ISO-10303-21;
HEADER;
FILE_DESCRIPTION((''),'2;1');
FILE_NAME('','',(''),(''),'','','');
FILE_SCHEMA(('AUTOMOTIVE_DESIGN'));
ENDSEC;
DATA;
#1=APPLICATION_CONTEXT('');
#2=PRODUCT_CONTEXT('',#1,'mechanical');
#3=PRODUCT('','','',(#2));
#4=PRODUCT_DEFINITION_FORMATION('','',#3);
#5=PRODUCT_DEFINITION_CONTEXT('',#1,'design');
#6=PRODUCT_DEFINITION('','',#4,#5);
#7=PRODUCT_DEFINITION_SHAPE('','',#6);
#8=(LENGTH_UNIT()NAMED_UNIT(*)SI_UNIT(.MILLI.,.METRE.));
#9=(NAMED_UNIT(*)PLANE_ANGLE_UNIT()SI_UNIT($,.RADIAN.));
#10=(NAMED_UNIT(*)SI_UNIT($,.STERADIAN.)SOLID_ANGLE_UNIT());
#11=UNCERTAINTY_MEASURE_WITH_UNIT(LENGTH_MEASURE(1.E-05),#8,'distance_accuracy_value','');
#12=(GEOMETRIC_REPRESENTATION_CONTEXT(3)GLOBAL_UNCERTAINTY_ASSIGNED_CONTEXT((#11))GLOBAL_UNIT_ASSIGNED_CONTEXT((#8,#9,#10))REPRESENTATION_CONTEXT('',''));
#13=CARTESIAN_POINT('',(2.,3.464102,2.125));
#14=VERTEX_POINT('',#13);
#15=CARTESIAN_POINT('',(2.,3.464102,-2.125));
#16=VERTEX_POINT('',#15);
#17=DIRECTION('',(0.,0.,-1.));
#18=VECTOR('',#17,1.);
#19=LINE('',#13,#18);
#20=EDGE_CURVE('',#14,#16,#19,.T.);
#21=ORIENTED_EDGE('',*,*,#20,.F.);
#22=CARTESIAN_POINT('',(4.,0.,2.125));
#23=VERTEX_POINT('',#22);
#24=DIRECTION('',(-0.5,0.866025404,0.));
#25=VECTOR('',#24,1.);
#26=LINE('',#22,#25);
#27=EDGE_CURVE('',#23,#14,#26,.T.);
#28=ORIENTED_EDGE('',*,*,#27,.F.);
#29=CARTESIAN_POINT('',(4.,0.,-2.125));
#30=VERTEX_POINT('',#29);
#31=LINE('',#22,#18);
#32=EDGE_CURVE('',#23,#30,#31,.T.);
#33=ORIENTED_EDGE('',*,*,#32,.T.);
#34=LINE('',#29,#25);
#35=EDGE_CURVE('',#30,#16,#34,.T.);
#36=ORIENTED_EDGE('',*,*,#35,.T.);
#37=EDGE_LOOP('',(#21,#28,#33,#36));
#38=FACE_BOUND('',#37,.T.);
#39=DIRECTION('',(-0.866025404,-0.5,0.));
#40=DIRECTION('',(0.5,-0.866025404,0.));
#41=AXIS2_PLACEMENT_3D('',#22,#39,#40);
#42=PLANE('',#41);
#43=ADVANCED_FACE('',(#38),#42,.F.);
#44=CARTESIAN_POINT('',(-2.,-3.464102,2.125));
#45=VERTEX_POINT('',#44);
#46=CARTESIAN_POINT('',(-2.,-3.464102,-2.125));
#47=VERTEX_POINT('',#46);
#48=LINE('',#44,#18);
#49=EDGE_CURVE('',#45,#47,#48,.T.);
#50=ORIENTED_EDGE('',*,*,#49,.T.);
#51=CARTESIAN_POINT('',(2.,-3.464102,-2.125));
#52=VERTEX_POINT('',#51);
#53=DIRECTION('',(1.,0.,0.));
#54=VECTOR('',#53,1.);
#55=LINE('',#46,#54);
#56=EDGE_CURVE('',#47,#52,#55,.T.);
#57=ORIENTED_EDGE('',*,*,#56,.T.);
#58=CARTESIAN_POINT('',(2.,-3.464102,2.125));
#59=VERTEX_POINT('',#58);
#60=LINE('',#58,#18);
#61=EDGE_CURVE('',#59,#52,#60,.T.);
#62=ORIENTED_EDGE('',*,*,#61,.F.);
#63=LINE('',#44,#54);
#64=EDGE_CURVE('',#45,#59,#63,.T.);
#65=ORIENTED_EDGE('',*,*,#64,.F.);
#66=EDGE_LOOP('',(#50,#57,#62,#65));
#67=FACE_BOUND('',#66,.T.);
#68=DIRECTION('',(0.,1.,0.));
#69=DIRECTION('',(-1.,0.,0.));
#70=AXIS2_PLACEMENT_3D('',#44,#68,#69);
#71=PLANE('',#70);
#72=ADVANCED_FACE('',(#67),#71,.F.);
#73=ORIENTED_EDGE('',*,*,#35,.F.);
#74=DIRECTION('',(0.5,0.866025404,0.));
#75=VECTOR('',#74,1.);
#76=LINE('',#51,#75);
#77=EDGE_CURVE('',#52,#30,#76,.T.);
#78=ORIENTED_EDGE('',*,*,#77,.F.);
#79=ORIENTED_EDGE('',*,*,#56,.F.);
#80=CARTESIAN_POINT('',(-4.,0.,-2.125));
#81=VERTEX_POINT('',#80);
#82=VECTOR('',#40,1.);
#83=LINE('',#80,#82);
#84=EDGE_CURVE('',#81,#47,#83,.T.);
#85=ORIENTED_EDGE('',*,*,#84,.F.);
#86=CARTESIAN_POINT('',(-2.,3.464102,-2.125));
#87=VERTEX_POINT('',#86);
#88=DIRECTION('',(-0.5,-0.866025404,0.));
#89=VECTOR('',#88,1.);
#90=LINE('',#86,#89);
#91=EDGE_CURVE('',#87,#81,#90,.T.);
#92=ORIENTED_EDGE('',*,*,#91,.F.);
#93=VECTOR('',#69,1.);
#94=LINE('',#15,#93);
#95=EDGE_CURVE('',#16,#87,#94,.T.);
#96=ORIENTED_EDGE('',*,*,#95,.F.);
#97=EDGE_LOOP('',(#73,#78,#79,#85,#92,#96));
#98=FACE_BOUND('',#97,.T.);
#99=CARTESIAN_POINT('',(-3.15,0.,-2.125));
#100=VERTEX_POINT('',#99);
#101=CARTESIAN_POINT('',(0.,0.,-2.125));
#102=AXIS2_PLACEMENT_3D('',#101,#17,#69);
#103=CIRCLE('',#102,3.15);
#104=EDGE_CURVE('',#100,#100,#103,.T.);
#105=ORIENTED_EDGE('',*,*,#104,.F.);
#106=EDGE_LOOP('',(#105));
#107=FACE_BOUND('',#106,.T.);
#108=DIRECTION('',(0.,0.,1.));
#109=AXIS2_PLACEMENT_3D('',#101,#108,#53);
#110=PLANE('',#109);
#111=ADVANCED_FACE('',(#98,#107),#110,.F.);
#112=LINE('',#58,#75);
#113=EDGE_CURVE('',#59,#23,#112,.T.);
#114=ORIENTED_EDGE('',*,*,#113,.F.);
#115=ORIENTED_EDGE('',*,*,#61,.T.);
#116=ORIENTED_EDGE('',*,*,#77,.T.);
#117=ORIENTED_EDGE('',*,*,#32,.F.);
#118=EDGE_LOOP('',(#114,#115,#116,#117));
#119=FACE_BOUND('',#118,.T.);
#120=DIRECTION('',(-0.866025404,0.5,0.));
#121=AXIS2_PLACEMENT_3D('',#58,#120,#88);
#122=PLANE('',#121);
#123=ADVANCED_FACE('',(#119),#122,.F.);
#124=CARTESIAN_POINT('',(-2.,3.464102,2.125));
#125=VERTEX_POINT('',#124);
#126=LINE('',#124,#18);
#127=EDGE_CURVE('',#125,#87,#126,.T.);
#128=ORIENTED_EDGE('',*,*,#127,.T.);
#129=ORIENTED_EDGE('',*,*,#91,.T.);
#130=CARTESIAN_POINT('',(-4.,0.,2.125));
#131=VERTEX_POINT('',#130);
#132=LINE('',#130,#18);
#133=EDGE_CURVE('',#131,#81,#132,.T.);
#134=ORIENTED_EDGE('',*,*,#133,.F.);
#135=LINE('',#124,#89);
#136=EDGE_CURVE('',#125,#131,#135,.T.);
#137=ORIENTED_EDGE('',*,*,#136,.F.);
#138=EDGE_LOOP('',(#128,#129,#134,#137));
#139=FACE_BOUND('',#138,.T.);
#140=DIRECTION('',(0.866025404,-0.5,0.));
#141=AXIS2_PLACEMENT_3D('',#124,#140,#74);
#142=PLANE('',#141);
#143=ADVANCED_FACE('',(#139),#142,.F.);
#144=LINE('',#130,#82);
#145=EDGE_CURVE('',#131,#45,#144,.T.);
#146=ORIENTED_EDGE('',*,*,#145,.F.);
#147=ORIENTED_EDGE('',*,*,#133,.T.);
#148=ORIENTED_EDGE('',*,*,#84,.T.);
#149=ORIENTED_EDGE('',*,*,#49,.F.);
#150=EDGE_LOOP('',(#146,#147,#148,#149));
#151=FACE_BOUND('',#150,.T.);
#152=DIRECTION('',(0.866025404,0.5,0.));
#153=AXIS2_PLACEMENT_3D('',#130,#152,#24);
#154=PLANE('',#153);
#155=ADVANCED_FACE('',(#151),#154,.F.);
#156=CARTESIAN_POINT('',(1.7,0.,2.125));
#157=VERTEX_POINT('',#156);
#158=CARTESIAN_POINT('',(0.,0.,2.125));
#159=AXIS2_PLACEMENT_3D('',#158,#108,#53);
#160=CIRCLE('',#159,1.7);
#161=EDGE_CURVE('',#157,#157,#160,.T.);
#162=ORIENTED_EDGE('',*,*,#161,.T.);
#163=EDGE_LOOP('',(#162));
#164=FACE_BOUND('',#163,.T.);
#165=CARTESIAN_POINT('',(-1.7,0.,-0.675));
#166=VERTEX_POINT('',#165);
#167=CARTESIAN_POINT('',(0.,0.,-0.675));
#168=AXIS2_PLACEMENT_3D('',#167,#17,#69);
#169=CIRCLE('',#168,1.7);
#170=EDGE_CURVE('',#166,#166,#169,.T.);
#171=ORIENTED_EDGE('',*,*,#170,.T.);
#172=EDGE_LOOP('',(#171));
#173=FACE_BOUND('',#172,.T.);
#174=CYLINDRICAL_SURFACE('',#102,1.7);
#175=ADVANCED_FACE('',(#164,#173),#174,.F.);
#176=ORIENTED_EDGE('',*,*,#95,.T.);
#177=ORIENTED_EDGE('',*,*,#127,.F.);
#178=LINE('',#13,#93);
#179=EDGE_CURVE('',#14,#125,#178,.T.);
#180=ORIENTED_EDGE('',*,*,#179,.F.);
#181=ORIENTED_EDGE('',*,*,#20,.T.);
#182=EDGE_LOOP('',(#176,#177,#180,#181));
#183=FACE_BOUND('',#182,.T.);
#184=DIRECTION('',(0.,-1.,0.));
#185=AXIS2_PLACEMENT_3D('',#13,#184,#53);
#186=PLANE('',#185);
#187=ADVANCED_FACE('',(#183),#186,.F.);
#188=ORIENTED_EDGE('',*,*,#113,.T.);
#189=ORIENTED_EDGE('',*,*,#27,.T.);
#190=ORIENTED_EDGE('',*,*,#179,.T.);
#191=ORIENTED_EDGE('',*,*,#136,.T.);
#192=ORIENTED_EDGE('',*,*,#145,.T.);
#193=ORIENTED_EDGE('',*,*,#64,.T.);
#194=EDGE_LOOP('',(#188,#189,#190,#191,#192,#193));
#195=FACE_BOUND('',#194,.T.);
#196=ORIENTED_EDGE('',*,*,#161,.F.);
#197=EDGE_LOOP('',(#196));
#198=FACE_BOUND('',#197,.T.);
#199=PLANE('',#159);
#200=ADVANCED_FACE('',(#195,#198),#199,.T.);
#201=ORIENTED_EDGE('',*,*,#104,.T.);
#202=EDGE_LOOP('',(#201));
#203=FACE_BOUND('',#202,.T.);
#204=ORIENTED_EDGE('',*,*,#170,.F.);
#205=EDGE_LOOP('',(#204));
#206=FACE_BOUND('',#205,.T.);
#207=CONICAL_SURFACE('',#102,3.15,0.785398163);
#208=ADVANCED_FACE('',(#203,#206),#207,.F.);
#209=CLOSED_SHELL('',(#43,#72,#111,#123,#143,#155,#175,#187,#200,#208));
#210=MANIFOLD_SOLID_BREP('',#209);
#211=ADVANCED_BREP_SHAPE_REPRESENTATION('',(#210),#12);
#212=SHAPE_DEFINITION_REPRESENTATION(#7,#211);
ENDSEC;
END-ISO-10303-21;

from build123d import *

# Parameters (mm, degrees)
BOSS_EXTRUDE1_DEPTH                                 = 2.125
CSK_FOR_M3_COUNTERSUNK_FLAT_HEAD_SCREW1_D           = 3.4
CSK_FOR_M3_COUNTERSUNK_FLAT_HEAD_SCREW1_DEPTH       = 5
CSK_FOR_M3_COUNTERSUNK_FLAT_HEAD_SCREW1_CSINK_D     = 6.3
CSK_FOR_M3_COUNTERSUNK_FLAT_HEAD_SCREW1_CSINK_ANGLE = 90
CSK_FOR_M3_COUNTERSUNK_FLAT_HEAD_SCREW1_TIP         = 1.021463052


with BuildPart() as part:
    # Sketch1 → Boss-Extrude1 (new, symmetric)
    with BuildSketch(Plane.XY):
        Polygon((2, -3.464101615), (4, 0), (2, 3.464101615), (-2, 3.464101615), (-4, 0), (-2, -3.464101615), align=None)
    extrude(amount=BOSS_EXTRUDE1_DEPTH, both=True)

    # CSK for M3 Countersunk Flat Head Screw1
    with Locations(Plane(origin=(0, 0, -2.125), x_dir=(-1, 0, 0), z_dir=(0, 0, -1))):
        with Locations((0, 0)):
            CounterSinkHole(CSK_FOR_M3_COUNTERSUNK_FLAT_HEAD_SCREW1_D / 2, CSK_FOR_M3_COUNTERSUNK_FLAT_HEAD_SCREW1_CSINK_D / 2, depth=CSK_FOR_M3_COUNTERSUNK_FLAT_HEAD_SCREW1_DEPTH, counter_sink_angle=CSK_FOR_M3_COUNTERSUNK_FLAT_HEAD_SCREW1_CSINK_ANGLE)
            with Locations((0, 0, -(CSK_FOR_M3_COUNTERSUNK_FLAT_HEAD_SCREW1_DEPTH + CSK_FOR_M3_COUNTERSUNK_FLAT_HEAD_SCREW1_TIP / 2))):  # 118° drill point
                Cone(0, CSK_FOR_M3_COUNTERSUNK_FLAT_HEAD_SCREW1_D / 2, CSK_FOR_M3_COUNTERSUNK_FLAT_HEAD_SCREW1_TIP, mode=Mode.SUBTRACT)


solid = part.part
